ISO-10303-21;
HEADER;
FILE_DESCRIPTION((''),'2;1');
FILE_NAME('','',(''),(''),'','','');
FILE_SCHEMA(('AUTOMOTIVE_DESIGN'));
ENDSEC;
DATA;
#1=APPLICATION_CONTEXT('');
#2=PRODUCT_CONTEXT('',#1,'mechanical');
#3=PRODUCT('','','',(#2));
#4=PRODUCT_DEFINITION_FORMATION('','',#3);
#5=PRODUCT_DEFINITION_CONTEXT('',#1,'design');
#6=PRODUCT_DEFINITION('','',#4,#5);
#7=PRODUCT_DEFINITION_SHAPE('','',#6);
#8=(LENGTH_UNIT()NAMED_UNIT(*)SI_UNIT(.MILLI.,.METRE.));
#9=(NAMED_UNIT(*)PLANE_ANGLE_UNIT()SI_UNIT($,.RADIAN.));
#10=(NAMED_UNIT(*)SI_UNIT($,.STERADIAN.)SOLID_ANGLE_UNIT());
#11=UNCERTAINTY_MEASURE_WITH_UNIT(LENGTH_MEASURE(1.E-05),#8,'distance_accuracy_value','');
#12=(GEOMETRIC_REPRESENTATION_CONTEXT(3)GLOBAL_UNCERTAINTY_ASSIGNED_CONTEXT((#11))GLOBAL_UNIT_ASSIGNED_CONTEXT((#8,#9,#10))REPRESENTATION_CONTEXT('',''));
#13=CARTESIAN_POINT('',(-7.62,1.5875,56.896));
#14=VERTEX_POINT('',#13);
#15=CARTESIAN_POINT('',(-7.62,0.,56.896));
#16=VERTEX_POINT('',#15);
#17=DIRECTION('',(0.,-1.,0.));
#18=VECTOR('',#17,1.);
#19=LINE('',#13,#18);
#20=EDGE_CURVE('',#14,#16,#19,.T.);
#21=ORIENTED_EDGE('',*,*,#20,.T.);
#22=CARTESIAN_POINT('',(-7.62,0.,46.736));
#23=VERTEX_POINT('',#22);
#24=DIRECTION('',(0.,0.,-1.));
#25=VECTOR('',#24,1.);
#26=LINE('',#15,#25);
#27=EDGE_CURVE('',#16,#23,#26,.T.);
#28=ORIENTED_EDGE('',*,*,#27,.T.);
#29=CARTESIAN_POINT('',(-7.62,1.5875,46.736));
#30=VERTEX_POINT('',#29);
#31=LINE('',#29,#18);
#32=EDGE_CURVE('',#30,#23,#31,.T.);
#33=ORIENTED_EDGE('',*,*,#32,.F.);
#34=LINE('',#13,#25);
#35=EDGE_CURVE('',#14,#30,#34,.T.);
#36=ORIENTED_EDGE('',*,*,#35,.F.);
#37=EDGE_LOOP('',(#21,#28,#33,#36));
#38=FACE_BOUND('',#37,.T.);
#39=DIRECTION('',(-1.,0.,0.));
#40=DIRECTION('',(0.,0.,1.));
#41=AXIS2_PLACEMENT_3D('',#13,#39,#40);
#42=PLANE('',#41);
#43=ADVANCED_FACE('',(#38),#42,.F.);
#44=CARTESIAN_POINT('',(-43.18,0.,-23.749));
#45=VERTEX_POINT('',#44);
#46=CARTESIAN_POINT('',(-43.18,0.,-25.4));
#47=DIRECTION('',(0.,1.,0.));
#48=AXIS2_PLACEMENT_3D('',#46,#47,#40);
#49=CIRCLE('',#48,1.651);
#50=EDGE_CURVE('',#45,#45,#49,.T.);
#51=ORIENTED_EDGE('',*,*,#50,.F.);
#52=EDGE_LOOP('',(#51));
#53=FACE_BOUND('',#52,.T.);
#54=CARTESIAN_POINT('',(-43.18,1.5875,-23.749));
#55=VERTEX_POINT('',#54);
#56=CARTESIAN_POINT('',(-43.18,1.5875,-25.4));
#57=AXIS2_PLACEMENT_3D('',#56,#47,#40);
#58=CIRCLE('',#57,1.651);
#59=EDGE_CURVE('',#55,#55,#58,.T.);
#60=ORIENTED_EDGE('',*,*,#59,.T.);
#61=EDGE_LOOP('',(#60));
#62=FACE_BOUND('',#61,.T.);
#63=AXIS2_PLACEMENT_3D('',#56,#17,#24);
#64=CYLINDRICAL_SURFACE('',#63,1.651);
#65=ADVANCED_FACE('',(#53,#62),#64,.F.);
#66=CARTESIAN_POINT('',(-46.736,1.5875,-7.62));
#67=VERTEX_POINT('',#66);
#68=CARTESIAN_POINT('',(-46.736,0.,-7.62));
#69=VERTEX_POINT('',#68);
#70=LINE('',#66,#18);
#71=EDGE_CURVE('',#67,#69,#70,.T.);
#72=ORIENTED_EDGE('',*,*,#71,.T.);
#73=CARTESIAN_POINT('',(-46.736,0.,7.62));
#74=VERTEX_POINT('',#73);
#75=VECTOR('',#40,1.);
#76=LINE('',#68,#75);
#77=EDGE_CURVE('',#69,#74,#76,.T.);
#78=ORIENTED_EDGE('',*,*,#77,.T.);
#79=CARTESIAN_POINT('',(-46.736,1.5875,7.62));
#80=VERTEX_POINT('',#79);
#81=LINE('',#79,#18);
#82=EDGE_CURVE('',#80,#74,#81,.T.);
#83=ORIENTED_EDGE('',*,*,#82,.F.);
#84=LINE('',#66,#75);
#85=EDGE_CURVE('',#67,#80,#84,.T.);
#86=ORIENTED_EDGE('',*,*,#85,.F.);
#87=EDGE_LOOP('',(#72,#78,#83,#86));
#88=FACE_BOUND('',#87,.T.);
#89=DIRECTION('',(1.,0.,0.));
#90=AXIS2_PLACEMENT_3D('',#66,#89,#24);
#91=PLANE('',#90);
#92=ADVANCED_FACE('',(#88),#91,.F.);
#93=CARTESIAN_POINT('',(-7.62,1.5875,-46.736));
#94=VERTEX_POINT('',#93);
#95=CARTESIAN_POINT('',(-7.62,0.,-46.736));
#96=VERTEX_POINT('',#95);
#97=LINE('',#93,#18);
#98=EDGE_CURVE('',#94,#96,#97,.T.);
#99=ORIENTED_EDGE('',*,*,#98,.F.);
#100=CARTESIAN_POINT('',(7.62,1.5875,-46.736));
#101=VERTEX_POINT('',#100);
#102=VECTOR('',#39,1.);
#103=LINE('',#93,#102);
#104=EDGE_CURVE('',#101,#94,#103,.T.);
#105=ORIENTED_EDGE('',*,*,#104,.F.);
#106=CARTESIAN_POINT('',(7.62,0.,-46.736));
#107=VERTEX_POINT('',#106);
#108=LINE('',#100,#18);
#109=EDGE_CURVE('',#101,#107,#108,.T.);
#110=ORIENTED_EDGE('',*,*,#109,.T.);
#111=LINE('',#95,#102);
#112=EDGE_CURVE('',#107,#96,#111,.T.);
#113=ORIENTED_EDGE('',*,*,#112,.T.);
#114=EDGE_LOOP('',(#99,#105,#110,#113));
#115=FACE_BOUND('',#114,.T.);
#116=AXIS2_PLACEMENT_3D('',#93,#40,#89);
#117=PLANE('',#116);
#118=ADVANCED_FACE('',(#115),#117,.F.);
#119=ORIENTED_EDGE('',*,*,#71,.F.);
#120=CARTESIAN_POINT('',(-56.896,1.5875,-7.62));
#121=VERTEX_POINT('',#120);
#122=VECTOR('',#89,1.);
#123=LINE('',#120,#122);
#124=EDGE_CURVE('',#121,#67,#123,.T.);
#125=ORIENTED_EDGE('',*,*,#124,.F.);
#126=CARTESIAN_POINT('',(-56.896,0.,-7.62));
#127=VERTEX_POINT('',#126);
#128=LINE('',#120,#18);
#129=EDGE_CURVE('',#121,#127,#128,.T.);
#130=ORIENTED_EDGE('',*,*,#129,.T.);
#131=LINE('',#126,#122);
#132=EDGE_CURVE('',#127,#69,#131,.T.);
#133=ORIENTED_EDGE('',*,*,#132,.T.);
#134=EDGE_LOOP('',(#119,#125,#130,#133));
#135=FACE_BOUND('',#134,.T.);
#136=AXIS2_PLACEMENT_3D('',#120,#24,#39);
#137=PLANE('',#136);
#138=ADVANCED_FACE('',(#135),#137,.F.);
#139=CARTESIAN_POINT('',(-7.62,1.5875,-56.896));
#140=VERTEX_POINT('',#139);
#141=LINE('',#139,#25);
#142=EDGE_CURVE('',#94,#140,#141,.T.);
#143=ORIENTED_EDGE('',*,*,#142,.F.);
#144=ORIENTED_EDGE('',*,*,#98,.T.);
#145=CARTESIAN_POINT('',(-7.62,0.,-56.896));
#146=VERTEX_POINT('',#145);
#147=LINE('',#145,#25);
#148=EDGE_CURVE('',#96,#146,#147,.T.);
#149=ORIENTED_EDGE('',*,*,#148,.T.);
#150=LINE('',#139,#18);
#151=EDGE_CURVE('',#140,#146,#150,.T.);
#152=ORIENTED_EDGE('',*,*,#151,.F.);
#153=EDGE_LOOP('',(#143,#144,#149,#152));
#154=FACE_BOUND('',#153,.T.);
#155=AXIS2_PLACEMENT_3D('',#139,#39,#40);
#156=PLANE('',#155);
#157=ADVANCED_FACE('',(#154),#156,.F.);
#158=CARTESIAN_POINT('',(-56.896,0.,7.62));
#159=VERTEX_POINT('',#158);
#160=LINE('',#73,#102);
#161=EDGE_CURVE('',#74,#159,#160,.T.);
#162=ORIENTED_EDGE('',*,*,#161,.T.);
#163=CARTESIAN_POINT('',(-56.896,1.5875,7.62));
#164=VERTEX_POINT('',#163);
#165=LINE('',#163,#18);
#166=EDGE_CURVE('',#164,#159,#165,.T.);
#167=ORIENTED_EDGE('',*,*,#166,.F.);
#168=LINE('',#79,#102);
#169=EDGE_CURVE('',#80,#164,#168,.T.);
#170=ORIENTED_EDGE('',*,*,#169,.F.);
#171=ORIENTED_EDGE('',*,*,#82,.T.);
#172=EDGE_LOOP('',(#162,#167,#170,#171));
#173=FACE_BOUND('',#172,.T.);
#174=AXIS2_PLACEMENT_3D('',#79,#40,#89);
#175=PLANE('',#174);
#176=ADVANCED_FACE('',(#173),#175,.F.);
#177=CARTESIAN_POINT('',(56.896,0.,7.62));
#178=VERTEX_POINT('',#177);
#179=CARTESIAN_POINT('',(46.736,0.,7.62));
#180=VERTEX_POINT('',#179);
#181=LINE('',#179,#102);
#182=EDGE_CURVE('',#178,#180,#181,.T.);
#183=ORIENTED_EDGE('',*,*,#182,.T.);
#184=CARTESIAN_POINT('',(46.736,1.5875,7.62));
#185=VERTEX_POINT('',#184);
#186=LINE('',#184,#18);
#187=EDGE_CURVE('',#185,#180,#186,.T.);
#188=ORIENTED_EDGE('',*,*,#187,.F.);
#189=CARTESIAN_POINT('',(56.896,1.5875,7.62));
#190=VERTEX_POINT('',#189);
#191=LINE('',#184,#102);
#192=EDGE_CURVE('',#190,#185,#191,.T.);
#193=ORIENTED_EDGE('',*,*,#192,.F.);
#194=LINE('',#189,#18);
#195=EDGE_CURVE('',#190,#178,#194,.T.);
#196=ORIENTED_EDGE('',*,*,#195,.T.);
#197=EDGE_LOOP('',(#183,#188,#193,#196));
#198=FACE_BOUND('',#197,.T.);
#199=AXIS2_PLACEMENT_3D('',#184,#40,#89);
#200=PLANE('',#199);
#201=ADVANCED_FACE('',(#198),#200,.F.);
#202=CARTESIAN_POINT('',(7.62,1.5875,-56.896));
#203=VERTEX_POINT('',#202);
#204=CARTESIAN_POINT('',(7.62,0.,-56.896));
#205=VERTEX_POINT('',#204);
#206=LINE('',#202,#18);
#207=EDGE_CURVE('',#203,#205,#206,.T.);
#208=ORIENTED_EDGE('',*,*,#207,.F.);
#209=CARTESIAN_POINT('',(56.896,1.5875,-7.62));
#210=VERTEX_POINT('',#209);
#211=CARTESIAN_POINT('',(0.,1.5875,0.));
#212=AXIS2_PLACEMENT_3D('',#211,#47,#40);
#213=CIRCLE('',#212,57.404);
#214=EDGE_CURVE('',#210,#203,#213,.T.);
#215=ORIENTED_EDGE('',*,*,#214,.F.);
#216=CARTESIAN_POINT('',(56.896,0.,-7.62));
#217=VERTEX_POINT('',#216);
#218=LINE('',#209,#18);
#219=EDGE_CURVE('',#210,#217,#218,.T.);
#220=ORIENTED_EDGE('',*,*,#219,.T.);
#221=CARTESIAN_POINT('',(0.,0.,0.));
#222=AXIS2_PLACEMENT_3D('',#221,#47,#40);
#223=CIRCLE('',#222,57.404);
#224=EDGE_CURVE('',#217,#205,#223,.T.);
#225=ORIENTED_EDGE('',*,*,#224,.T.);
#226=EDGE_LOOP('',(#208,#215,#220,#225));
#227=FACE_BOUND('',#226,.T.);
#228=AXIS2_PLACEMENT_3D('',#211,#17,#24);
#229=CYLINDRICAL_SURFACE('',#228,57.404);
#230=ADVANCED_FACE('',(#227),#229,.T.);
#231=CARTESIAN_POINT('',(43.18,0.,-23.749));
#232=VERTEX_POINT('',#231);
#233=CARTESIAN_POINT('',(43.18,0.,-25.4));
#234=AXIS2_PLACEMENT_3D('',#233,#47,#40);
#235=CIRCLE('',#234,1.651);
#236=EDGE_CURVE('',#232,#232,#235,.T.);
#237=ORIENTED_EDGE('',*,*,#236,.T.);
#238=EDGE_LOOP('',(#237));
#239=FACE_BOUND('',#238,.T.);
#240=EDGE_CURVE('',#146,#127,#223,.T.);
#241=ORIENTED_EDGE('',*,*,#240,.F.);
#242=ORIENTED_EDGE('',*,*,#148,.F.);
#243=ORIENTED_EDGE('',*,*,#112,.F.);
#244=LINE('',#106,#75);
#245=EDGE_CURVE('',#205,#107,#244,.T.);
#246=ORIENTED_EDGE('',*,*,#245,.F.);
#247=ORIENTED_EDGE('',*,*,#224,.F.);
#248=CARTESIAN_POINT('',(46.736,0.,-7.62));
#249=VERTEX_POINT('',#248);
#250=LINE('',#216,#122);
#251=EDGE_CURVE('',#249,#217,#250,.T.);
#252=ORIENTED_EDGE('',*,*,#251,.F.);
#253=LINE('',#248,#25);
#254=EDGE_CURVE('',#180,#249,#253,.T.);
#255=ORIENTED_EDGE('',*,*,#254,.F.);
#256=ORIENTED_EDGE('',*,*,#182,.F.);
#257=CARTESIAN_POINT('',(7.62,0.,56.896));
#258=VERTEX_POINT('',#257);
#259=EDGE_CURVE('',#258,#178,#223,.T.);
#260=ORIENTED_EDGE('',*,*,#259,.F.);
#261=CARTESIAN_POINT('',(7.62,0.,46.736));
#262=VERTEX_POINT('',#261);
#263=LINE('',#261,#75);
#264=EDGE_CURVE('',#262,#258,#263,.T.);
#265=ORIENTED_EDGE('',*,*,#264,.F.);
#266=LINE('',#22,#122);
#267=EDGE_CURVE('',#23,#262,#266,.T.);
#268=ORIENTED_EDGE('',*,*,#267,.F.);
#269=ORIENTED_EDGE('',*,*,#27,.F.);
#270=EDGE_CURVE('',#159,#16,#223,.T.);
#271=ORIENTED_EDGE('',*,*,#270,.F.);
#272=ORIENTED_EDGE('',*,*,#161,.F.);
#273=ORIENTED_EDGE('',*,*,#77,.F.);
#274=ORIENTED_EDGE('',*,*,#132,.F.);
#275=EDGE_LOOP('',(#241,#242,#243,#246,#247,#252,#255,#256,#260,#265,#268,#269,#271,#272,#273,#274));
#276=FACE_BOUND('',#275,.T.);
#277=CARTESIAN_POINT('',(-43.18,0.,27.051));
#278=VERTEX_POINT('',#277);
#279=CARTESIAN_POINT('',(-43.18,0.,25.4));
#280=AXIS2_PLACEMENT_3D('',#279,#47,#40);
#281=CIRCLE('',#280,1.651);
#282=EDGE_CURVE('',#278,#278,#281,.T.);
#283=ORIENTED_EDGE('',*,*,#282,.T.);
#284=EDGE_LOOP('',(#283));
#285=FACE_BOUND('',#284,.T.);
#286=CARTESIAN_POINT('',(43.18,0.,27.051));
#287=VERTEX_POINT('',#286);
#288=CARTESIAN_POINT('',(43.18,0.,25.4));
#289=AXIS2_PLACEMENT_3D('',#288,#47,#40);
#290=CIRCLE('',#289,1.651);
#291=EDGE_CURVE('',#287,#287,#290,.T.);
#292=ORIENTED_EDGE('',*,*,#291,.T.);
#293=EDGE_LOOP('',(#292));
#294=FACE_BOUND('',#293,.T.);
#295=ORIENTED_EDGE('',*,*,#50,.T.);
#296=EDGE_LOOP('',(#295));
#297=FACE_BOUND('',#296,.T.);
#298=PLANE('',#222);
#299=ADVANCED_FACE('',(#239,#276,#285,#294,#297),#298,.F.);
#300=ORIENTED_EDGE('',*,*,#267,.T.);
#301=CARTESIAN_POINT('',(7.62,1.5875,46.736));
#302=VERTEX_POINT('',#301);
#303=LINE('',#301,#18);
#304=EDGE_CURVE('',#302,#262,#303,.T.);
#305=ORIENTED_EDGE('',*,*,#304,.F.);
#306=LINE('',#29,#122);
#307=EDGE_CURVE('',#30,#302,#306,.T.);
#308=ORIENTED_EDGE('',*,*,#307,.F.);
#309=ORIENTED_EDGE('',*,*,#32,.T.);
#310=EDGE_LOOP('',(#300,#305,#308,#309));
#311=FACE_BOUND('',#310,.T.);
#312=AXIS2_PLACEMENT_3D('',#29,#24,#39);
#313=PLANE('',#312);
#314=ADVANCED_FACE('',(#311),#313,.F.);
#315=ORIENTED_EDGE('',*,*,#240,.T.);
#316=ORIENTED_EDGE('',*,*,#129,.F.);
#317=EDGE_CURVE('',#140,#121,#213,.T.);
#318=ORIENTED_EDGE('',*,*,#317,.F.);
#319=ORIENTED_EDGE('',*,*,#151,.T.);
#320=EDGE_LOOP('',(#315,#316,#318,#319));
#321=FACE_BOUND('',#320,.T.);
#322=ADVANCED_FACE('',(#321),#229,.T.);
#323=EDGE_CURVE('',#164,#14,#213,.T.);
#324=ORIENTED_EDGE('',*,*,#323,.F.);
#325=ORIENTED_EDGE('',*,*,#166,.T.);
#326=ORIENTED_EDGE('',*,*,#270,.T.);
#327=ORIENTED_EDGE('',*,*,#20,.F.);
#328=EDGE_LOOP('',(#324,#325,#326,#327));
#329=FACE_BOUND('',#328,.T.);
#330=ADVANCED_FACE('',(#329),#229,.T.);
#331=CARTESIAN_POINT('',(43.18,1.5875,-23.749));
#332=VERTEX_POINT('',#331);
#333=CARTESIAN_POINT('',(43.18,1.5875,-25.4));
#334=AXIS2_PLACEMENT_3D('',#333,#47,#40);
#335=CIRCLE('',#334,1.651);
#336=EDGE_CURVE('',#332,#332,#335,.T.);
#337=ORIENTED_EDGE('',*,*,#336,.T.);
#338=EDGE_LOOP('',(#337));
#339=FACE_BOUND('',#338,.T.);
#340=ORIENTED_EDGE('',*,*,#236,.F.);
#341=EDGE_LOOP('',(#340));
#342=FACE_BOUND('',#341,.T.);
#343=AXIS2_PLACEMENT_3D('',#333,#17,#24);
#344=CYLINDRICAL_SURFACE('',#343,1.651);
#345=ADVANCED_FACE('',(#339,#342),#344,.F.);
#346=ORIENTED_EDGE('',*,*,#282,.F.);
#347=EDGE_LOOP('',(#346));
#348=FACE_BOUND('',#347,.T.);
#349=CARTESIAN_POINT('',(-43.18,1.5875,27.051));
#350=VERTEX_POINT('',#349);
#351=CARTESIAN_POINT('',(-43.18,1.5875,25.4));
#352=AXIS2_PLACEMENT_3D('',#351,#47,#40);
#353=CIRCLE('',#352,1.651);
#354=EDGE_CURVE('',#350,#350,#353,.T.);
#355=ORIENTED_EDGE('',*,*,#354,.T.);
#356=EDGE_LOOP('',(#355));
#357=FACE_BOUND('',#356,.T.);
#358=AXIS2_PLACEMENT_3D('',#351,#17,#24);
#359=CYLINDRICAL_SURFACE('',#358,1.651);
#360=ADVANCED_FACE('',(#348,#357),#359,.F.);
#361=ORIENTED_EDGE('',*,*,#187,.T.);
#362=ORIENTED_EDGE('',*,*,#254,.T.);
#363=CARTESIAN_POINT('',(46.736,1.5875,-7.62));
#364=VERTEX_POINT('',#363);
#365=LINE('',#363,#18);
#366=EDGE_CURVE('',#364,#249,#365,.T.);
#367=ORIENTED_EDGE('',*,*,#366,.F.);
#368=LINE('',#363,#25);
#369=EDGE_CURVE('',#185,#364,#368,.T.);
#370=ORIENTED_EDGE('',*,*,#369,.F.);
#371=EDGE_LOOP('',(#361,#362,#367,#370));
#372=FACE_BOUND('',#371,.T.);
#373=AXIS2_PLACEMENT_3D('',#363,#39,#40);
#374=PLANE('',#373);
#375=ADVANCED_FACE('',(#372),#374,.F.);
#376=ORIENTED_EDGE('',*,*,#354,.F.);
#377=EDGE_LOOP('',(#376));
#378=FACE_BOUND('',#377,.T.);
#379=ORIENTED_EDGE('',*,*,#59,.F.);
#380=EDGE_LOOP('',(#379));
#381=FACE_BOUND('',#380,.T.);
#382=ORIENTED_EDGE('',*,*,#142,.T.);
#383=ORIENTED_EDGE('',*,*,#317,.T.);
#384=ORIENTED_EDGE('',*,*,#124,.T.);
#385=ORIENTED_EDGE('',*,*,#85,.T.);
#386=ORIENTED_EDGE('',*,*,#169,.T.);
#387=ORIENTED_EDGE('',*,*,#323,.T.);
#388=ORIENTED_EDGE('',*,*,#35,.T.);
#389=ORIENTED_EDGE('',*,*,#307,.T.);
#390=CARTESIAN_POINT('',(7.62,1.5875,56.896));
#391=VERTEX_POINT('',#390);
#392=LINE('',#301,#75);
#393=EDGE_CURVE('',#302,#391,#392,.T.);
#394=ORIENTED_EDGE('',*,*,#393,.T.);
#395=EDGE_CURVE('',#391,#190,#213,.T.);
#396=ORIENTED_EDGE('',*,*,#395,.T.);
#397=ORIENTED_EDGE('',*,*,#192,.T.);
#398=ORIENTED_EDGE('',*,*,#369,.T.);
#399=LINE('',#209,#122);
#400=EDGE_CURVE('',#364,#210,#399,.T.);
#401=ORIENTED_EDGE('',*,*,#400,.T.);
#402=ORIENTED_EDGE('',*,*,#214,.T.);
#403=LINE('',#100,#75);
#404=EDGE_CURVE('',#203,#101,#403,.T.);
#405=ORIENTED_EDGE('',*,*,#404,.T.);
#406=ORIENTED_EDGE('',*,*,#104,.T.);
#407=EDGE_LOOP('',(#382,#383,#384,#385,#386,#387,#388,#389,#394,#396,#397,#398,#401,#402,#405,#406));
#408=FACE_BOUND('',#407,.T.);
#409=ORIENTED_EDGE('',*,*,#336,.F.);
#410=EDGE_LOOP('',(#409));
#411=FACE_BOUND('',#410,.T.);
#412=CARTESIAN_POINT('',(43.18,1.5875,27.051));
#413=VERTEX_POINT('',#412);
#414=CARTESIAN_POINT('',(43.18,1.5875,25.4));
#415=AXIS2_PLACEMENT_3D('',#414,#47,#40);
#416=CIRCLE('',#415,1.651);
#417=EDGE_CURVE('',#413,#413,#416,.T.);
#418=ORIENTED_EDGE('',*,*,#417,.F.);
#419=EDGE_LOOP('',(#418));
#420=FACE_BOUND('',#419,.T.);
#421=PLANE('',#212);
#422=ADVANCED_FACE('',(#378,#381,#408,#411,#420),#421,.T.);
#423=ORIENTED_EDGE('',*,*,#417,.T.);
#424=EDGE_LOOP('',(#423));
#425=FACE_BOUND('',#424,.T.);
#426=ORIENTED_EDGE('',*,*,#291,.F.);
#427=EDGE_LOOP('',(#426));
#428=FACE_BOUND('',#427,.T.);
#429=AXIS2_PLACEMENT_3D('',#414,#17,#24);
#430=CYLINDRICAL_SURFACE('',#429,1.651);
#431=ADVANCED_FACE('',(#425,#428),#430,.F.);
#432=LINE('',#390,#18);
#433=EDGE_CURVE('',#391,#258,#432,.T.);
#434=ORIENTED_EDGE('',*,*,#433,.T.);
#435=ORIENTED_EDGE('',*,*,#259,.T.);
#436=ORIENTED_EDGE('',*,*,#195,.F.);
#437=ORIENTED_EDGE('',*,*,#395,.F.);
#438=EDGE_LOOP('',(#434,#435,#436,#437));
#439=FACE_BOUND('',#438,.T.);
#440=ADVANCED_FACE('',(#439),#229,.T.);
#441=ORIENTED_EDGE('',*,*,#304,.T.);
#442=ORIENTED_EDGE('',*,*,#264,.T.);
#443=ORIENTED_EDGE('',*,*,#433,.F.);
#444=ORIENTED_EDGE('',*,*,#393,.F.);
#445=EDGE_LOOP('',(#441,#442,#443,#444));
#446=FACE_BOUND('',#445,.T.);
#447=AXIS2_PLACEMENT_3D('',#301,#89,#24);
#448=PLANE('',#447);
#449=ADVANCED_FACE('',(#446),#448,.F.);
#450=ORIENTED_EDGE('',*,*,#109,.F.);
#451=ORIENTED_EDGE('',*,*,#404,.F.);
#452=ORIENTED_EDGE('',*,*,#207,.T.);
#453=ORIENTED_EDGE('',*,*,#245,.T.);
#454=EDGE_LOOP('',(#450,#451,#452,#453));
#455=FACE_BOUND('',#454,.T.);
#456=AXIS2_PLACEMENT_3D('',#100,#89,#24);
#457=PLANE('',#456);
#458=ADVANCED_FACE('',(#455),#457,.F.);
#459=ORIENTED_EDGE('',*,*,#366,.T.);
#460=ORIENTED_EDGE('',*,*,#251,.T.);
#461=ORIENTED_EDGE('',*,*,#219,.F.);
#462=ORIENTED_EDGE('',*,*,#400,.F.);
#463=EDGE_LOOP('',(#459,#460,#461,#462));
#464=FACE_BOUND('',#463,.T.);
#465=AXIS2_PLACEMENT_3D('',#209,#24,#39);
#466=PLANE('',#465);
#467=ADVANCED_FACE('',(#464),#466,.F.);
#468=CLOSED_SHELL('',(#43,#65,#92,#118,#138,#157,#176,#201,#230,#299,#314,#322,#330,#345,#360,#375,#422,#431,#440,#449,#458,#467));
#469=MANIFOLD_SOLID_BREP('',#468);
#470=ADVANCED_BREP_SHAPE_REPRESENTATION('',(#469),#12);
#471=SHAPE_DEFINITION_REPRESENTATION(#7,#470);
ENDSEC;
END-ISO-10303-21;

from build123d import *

# Parameters (mm, degrees)
SKETCH1_R           = 1.651
BOSS_EXTRUDE1_DEPTH = 1.5875


with BuildPart() as part:
    # Sketch1 → Boss-Extrude1 (new body)
    with BuildSketch(Plane(origin=(0, 0, 0), x_dir=(1, 0, 0), z_dir=(0, 1, 0))):
        with BuildLine():
            Line((-7.62, 56.896), (-7.62, 46.736))
            Line((-7.62, 46.736), (7.62, 46.736))
            Line((7.62, 46.736), (7.62, 56.896))
            ThreePointArc((7.62, 56.896), (40.590757667, 40.590757667), (56.896, 7.62))
            Line((56.896, 7.62), (46.736, 7.62))
            Line((46.736, 7.62), (46.736, -7.62))
            Line((46.736, -7.62), (56.896, -7.62))
            ThreePointArc((56.896, -7.62), (40.590757667, -40.590757667), (7.62, -56.896))
            Line((7.62, -56.896), (7.62, -46.736))
            Line((7.62, -46.736), (-7.62, -46.736))
            Line((-7.62, -46.736), (-7.62, -56.896))
            ThreePointArc((-7.62, -56.896), (-40.590757667, -40.590757667), (-56.896, -7.62))
            Line((-56.896, -7.62), (-46.736, -7.62))
            Line((-46.736, -7.62), (-46.736, 7.62))
            Line((-46.736, 7.62), (-56.896, 7.62))
            ThreePointArc((-56.896, 7.62), (-40.590757667, 40.590757667), (-7.62, 56.896))
        make_face()
        with Locations(Location((-43.18, 25.4, 0), (0, 0, 270))):
            Circle(SKETCH1_R, mode=Mode.SUBTRACT)
        with Locations(Location((-43.18, -25.4, 0), (0, 0, 270))):
            Circle(SKETCH1_R, mode=Mode.SUBTRACT)
        with Locations(Location((43.18, -25.4, 0), (0, 0, 270))):
            Circle(SKETCH1_R, mode=Mode.SUBTRACT)
        with Locations(Location((43.18, 25.4, 0), (0, 0, 270))):
            Circle(SKETCH1_R, mode=Mode.SUBTRACT)
    extrude(amount=BOSS_EXTRUDE1_DEPTH)


solid = part.part
